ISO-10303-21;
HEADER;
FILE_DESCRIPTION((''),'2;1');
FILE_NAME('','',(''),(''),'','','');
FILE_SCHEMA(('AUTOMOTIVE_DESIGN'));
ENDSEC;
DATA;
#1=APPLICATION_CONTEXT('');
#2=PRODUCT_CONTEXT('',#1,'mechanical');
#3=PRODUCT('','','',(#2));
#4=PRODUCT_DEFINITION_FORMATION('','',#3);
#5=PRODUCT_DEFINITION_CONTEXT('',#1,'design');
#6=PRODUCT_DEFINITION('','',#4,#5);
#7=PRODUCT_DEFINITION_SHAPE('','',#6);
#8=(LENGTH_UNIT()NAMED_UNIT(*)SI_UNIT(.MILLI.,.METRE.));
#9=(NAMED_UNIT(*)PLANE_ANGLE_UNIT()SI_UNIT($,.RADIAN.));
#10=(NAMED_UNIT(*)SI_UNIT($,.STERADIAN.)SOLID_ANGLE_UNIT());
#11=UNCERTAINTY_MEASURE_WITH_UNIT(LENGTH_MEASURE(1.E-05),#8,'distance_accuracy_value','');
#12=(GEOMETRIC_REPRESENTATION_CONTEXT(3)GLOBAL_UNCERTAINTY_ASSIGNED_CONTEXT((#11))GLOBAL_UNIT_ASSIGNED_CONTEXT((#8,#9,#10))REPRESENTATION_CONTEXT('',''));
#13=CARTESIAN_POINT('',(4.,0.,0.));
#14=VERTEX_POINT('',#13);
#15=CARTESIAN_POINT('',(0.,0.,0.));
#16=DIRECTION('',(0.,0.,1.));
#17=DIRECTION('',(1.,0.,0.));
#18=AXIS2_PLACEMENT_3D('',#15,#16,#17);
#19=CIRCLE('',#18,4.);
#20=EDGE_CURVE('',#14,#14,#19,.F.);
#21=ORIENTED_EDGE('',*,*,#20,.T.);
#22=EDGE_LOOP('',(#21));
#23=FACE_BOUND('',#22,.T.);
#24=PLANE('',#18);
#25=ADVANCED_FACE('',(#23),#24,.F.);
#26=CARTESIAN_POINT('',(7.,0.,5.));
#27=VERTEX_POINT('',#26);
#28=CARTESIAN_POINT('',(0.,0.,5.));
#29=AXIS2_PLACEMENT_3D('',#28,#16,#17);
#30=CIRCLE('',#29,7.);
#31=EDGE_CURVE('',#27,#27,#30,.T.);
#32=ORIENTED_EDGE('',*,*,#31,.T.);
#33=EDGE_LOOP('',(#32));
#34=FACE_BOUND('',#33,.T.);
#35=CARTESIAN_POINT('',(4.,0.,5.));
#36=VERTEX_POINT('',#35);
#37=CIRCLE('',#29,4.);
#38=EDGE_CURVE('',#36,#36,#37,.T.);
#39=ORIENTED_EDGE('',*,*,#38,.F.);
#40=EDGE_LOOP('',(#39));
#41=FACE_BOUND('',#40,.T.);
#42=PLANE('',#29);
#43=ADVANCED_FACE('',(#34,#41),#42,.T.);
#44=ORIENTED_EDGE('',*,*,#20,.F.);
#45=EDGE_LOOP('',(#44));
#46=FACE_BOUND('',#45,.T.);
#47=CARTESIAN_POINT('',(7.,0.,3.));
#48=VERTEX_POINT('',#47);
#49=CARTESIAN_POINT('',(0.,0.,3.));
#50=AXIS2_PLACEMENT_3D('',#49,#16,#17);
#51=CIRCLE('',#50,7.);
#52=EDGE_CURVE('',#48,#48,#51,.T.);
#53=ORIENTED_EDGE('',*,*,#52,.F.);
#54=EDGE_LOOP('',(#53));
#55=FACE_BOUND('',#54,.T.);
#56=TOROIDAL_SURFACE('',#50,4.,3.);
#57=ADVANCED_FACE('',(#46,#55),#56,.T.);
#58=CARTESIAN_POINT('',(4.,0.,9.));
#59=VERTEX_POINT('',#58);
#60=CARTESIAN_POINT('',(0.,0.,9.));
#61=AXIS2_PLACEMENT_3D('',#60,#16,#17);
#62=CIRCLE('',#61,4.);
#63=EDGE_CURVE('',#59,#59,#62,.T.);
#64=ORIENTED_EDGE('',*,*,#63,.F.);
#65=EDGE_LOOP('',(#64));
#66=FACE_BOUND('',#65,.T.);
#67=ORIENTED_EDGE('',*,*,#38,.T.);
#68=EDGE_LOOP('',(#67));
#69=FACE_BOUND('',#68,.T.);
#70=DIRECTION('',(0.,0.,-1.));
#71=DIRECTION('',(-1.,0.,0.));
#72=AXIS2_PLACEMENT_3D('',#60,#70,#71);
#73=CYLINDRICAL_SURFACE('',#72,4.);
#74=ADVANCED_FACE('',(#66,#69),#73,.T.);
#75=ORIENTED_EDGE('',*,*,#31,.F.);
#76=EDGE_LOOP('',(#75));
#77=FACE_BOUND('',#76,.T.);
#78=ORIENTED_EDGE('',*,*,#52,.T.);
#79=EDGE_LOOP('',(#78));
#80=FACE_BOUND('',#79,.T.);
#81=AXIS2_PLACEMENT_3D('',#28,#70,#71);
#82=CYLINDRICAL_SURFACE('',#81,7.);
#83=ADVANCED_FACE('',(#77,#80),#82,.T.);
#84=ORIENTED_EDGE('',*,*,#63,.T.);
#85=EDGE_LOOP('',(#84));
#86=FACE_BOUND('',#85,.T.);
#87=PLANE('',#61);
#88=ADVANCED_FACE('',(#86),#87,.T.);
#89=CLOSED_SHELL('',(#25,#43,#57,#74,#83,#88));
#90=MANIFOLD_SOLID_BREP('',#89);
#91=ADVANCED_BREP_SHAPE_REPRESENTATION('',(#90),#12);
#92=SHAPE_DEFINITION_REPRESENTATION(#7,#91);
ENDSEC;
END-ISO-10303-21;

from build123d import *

# Parameters (mm, degrees)
ESQUISSE1_R          = 7
BASE_EXTRUSION_DEPTH = 5
CONG_1_R             = 3
ESQUISSE2_R          = 4
BOSS_EXTRU_2_DEPTH   = 4


with BuildPart() as part:
    # Esquisse1 → Base-Extrusion (new body)
    with BuildSketch(Plane.XY):
        Circle(ESQUISSE1_R)
    extrude(amount=BASE_EXTRUSION_DEPTH)

    # Congé1
    cong_1_edges = [part.edges().sort_by_distance(p)[0] for p in [
        (-7, 0, 0),
    ]]
    fillet(cong_1_edges, radius=CONG_1_R)

    # Esquisse2 → Boss.-Extru.2 (add)
    with BuildSketch(Plane.XY.offset(5)):
        Circle(ESQUISSE2_R)
    extrude(amount=BOSS_EXTRU_2_DEPTH)


solid = part.part
